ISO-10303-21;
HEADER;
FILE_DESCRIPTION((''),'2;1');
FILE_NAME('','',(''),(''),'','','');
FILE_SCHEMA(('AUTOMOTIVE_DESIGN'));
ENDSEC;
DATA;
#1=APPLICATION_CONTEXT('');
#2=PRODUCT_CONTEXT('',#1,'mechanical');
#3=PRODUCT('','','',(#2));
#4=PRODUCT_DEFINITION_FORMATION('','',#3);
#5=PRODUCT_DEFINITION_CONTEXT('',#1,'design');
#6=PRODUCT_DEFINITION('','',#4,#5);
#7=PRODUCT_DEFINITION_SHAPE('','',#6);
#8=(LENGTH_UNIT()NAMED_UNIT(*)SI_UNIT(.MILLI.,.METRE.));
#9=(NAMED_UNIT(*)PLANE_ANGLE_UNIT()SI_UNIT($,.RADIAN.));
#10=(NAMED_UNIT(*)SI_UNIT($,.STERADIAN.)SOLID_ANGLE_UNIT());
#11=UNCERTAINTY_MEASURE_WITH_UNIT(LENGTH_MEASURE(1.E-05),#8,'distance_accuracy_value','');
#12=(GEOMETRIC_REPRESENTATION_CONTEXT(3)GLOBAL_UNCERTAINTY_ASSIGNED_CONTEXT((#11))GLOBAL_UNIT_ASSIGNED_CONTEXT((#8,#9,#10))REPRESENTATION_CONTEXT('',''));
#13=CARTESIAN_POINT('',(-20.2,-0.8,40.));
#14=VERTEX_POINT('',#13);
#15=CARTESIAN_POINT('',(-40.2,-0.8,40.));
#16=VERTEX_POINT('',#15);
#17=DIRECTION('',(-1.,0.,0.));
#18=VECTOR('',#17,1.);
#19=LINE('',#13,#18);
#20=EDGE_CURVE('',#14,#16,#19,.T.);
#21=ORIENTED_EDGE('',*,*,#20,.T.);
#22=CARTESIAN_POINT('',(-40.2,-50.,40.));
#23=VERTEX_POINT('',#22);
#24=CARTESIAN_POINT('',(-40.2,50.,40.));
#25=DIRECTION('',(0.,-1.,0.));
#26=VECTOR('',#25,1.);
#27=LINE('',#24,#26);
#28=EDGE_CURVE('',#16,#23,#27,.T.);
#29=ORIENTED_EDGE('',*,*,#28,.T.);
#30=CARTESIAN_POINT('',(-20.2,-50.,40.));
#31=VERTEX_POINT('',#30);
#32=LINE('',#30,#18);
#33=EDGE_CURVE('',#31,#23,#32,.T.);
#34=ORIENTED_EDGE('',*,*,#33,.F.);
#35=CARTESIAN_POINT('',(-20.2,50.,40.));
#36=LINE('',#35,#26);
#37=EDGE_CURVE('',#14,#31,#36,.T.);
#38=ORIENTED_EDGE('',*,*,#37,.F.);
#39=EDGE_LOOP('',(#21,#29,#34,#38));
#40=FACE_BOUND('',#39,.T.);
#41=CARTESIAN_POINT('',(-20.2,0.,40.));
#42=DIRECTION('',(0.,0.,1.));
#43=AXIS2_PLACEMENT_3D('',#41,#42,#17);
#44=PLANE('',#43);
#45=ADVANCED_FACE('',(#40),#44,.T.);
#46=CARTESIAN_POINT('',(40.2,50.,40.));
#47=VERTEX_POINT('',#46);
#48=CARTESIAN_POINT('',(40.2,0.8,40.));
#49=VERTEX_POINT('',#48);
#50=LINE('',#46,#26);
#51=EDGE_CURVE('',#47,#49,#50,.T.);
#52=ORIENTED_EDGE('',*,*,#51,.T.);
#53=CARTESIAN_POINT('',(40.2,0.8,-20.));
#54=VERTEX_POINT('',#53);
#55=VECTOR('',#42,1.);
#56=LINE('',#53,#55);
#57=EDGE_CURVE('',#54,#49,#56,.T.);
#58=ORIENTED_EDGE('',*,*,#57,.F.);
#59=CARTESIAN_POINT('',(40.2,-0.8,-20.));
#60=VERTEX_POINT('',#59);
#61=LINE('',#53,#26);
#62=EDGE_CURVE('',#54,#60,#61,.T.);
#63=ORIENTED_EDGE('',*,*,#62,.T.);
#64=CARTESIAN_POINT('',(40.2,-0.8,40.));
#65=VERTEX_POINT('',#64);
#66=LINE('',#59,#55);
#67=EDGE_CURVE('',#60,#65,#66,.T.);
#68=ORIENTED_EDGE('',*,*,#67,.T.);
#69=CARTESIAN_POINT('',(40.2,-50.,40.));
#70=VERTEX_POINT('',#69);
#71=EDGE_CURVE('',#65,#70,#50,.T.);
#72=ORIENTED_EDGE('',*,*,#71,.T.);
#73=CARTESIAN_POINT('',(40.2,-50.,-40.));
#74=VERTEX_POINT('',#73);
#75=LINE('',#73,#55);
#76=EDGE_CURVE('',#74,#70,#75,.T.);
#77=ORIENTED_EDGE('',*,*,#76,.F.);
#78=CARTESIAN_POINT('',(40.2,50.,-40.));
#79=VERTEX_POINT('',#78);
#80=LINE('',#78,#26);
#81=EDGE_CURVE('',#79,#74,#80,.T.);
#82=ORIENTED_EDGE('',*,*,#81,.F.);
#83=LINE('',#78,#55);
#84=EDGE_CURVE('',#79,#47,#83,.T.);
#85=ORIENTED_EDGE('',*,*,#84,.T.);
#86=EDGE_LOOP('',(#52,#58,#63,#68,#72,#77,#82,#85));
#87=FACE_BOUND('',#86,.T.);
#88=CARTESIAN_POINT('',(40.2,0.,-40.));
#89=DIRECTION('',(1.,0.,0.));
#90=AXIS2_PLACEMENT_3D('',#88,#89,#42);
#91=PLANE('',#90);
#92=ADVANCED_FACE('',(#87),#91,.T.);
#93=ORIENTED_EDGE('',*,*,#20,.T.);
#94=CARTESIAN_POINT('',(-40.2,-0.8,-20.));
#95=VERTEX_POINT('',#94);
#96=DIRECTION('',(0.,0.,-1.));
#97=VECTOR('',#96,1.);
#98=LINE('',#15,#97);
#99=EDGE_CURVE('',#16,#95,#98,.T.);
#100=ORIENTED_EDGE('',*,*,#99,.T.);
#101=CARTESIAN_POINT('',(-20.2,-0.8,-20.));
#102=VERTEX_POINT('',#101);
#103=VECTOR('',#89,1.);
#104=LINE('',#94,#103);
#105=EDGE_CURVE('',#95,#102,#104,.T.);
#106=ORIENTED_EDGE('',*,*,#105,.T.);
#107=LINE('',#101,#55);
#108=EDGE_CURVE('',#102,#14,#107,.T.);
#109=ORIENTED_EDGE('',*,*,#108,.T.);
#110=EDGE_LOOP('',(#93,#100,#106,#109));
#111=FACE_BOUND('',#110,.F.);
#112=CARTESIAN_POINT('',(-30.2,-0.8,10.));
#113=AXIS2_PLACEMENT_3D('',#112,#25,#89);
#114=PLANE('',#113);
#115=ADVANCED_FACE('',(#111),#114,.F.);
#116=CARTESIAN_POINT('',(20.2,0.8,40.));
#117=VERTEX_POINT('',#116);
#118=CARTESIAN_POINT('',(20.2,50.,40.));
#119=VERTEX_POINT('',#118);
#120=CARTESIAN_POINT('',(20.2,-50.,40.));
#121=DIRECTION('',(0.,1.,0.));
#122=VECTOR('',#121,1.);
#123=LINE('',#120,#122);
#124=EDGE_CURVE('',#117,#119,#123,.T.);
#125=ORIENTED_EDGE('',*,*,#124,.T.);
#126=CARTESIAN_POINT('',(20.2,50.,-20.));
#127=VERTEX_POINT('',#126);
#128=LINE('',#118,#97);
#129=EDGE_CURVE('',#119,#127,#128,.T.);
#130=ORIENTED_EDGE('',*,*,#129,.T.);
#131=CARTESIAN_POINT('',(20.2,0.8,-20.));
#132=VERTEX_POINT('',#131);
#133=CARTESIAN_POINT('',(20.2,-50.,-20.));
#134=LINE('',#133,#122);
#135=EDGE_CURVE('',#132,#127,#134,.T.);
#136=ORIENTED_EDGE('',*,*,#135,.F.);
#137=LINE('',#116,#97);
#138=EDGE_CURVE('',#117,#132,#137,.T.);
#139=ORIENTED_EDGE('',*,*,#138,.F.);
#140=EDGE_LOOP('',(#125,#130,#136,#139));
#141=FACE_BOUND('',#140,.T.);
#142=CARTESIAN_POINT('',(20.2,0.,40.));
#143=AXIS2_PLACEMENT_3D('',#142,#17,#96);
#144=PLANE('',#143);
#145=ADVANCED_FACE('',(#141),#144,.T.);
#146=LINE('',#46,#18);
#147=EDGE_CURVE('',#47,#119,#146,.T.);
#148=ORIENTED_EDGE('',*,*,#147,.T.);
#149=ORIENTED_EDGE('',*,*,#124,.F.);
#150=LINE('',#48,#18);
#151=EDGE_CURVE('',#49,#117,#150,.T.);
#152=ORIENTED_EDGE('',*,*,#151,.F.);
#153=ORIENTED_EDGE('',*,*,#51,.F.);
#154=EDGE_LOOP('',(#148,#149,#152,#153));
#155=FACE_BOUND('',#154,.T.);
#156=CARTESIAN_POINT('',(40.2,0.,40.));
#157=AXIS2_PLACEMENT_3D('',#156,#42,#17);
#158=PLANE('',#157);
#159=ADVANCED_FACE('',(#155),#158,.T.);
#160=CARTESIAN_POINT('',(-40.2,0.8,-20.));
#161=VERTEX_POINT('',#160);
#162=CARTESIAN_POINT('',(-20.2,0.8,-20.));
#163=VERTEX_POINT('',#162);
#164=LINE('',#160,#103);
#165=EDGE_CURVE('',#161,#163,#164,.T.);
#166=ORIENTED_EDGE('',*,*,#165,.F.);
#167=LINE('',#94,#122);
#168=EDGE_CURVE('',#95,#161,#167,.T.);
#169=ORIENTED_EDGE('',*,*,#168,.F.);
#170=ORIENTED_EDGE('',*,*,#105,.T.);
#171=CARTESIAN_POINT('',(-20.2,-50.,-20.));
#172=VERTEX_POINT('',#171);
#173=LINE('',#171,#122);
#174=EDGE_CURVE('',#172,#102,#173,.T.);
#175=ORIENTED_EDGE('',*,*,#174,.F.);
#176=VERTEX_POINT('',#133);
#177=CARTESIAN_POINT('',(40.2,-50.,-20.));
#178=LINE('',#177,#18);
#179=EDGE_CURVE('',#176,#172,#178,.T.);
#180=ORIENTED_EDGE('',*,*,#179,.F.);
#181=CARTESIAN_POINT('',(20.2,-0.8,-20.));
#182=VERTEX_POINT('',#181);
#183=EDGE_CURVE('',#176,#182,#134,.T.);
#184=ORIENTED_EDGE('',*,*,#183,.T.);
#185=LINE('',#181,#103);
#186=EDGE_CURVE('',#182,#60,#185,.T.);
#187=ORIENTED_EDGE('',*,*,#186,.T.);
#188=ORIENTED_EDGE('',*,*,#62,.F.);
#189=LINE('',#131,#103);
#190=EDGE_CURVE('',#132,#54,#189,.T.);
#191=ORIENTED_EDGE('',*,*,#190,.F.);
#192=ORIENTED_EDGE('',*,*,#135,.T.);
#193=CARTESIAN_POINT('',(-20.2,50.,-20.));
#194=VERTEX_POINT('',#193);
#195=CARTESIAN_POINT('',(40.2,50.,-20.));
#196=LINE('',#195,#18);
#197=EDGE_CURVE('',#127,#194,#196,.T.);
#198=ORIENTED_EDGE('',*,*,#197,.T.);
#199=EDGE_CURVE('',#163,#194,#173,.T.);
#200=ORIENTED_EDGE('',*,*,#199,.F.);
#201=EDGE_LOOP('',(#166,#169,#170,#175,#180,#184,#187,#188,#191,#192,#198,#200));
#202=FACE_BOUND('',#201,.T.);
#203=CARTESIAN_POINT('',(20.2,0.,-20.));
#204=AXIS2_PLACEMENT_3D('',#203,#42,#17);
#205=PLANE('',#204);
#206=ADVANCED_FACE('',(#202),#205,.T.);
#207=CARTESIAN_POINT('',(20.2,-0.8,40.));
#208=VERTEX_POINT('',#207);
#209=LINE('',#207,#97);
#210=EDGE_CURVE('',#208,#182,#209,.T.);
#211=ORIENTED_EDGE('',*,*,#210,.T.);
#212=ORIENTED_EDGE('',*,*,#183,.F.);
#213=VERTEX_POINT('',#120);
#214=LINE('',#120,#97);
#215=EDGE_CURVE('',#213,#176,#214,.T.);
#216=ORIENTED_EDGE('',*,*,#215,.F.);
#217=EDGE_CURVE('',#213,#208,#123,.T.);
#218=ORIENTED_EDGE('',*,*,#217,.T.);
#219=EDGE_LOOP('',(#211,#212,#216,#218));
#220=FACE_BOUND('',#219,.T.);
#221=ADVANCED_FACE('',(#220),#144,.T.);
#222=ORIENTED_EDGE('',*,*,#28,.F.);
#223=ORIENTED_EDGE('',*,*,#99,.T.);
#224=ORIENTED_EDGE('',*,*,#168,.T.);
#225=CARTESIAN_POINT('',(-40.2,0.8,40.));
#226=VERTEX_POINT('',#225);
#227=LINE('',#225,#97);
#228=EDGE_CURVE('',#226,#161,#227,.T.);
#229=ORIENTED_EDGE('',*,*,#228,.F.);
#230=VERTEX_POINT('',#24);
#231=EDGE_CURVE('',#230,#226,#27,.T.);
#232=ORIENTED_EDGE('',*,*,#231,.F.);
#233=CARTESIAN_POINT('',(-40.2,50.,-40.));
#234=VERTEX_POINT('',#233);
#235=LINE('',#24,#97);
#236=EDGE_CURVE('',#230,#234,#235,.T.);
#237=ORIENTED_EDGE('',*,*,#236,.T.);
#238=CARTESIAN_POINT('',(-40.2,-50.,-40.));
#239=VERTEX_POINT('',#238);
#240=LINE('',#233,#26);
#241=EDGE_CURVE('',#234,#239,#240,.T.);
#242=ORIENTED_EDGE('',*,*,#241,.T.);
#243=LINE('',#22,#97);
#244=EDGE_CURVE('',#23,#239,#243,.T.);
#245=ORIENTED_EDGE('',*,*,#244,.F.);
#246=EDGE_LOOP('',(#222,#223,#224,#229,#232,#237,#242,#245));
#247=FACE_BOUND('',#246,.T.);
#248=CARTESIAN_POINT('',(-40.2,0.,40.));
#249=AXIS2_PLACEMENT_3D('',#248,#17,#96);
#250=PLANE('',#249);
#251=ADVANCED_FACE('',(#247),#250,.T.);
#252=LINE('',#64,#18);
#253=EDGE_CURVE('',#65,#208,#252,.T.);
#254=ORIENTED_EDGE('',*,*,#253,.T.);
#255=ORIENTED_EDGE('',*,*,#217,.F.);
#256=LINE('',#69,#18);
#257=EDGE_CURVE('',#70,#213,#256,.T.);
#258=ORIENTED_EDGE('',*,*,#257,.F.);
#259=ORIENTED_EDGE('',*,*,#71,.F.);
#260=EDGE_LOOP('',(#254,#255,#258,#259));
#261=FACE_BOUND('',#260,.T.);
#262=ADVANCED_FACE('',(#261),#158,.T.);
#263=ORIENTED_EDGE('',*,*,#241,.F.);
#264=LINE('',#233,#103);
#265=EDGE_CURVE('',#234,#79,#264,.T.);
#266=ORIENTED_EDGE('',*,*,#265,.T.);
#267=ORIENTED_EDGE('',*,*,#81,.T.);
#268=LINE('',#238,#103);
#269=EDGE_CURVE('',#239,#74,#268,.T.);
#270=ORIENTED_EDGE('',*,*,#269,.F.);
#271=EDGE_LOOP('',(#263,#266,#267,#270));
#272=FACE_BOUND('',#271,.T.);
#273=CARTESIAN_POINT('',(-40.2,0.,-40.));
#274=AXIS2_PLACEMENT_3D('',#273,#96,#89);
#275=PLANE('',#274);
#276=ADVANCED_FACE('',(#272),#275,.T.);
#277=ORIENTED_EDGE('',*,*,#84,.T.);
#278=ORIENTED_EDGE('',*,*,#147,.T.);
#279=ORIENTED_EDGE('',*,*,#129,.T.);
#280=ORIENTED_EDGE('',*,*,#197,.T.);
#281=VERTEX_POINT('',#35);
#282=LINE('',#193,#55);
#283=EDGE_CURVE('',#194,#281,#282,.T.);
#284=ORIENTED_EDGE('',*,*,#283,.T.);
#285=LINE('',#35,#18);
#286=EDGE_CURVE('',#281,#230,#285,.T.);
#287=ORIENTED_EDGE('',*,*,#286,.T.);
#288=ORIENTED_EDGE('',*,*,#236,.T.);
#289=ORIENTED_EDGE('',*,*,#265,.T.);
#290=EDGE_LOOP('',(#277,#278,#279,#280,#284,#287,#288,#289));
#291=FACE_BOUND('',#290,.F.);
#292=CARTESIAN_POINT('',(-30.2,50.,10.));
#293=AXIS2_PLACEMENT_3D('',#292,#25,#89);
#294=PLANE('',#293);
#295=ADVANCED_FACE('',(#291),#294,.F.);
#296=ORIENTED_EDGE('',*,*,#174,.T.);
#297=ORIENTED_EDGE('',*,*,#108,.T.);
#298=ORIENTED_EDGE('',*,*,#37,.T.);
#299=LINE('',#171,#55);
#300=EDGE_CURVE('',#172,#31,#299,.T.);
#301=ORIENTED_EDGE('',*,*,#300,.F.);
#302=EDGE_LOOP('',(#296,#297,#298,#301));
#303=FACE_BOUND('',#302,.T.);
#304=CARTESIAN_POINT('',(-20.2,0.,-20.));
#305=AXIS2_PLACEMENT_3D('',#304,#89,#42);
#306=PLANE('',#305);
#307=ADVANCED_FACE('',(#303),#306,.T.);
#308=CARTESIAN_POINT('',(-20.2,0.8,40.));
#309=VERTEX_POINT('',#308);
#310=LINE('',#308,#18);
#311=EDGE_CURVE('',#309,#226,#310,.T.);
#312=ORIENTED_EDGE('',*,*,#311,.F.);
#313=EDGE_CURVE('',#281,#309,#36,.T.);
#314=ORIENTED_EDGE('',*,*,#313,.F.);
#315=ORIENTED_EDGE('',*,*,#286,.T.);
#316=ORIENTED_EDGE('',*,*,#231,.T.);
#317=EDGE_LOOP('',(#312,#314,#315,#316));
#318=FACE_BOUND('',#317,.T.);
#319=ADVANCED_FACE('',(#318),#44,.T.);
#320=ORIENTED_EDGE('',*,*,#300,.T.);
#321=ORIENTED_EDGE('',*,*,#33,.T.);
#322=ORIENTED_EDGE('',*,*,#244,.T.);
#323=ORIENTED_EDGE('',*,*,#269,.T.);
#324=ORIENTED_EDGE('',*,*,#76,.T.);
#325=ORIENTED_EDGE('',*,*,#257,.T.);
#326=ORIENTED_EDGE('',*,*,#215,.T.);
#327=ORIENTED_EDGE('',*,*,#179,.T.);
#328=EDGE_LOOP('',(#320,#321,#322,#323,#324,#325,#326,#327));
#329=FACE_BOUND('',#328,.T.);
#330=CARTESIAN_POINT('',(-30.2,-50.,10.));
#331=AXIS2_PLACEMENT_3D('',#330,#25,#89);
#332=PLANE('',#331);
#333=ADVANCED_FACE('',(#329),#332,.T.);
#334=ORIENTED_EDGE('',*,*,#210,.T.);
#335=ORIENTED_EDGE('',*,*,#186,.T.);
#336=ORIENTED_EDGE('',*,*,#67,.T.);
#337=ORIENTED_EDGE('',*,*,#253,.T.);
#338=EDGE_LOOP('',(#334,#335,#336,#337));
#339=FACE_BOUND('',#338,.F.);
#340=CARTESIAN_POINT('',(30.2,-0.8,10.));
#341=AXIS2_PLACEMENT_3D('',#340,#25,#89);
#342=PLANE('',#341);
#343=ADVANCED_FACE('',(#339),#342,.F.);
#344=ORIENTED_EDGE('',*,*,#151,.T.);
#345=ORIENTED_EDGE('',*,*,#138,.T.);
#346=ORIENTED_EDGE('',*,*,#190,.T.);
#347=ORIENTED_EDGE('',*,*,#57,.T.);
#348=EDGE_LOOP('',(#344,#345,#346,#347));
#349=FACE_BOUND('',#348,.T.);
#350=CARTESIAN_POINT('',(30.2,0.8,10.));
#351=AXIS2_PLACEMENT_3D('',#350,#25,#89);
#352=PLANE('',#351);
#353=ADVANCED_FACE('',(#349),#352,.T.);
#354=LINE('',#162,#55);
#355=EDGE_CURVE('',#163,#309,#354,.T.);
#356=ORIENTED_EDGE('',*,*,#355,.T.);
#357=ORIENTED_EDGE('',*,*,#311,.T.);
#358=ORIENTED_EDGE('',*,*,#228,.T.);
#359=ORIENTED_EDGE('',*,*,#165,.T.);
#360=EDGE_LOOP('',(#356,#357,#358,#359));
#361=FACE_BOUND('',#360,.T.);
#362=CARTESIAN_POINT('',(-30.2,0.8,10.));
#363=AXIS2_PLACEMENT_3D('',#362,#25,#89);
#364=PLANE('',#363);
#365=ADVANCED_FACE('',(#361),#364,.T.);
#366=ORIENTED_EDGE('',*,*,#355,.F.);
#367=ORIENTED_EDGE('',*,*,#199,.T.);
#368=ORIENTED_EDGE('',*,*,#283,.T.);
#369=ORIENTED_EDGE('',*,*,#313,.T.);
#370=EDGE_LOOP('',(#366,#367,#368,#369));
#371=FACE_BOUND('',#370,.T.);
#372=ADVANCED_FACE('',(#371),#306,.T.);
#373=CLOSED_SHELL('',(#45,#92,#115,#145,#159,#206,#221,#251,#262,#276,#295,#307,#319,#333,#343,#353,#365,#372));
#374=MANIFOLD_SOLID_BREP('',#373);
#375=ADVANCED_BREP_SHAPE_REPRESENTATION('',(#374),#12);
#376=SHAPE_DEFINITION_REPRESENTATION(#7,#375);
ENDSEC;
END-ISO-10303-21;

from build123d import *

# Parameters (mm, degrees)
F1_DEPTH = 50
F2_DEPTH = 0.8


with BuildPart() as f1:
    # F0 (on Front) → F1 (new body, symmetric)
    with BuildSketch(Plane.XZ):
        Polygon((-20.2, -20), (-20.2, 20), (-20.2, 40), (-40.2, 40), (-40.2, -20), align=None)
        Polygon((40.2, -20), (20.2, -20), (-20.2, -20), (-40.2, -20), (-40.2, -40), (40.2, -40), align=None)
        Polygon((20.2, 40), (20.2, 20), (20.2, -20), (40.2, -20), (40.2, 40), align=None)
    extrude(amount=F1_DEPTH, both=True)

    # F0 (on Front) → F2 (cut, symmetric)
    with BuildSketch(Plane.XZ):
        Polygon((-20.2, -20), (-20.2, 20), (-20.2, 40), (-40.2, 40), (-40.2, -20), align=None)
        Polygon((20.2, 40), (20.2, 20), (20.2, -20), (40.2, -20), (40.2, 40), align=None)
    extrude(amount=F2_DEPTH, both=True, mode=Mode.SUBTRACT)


solid = f1.part
